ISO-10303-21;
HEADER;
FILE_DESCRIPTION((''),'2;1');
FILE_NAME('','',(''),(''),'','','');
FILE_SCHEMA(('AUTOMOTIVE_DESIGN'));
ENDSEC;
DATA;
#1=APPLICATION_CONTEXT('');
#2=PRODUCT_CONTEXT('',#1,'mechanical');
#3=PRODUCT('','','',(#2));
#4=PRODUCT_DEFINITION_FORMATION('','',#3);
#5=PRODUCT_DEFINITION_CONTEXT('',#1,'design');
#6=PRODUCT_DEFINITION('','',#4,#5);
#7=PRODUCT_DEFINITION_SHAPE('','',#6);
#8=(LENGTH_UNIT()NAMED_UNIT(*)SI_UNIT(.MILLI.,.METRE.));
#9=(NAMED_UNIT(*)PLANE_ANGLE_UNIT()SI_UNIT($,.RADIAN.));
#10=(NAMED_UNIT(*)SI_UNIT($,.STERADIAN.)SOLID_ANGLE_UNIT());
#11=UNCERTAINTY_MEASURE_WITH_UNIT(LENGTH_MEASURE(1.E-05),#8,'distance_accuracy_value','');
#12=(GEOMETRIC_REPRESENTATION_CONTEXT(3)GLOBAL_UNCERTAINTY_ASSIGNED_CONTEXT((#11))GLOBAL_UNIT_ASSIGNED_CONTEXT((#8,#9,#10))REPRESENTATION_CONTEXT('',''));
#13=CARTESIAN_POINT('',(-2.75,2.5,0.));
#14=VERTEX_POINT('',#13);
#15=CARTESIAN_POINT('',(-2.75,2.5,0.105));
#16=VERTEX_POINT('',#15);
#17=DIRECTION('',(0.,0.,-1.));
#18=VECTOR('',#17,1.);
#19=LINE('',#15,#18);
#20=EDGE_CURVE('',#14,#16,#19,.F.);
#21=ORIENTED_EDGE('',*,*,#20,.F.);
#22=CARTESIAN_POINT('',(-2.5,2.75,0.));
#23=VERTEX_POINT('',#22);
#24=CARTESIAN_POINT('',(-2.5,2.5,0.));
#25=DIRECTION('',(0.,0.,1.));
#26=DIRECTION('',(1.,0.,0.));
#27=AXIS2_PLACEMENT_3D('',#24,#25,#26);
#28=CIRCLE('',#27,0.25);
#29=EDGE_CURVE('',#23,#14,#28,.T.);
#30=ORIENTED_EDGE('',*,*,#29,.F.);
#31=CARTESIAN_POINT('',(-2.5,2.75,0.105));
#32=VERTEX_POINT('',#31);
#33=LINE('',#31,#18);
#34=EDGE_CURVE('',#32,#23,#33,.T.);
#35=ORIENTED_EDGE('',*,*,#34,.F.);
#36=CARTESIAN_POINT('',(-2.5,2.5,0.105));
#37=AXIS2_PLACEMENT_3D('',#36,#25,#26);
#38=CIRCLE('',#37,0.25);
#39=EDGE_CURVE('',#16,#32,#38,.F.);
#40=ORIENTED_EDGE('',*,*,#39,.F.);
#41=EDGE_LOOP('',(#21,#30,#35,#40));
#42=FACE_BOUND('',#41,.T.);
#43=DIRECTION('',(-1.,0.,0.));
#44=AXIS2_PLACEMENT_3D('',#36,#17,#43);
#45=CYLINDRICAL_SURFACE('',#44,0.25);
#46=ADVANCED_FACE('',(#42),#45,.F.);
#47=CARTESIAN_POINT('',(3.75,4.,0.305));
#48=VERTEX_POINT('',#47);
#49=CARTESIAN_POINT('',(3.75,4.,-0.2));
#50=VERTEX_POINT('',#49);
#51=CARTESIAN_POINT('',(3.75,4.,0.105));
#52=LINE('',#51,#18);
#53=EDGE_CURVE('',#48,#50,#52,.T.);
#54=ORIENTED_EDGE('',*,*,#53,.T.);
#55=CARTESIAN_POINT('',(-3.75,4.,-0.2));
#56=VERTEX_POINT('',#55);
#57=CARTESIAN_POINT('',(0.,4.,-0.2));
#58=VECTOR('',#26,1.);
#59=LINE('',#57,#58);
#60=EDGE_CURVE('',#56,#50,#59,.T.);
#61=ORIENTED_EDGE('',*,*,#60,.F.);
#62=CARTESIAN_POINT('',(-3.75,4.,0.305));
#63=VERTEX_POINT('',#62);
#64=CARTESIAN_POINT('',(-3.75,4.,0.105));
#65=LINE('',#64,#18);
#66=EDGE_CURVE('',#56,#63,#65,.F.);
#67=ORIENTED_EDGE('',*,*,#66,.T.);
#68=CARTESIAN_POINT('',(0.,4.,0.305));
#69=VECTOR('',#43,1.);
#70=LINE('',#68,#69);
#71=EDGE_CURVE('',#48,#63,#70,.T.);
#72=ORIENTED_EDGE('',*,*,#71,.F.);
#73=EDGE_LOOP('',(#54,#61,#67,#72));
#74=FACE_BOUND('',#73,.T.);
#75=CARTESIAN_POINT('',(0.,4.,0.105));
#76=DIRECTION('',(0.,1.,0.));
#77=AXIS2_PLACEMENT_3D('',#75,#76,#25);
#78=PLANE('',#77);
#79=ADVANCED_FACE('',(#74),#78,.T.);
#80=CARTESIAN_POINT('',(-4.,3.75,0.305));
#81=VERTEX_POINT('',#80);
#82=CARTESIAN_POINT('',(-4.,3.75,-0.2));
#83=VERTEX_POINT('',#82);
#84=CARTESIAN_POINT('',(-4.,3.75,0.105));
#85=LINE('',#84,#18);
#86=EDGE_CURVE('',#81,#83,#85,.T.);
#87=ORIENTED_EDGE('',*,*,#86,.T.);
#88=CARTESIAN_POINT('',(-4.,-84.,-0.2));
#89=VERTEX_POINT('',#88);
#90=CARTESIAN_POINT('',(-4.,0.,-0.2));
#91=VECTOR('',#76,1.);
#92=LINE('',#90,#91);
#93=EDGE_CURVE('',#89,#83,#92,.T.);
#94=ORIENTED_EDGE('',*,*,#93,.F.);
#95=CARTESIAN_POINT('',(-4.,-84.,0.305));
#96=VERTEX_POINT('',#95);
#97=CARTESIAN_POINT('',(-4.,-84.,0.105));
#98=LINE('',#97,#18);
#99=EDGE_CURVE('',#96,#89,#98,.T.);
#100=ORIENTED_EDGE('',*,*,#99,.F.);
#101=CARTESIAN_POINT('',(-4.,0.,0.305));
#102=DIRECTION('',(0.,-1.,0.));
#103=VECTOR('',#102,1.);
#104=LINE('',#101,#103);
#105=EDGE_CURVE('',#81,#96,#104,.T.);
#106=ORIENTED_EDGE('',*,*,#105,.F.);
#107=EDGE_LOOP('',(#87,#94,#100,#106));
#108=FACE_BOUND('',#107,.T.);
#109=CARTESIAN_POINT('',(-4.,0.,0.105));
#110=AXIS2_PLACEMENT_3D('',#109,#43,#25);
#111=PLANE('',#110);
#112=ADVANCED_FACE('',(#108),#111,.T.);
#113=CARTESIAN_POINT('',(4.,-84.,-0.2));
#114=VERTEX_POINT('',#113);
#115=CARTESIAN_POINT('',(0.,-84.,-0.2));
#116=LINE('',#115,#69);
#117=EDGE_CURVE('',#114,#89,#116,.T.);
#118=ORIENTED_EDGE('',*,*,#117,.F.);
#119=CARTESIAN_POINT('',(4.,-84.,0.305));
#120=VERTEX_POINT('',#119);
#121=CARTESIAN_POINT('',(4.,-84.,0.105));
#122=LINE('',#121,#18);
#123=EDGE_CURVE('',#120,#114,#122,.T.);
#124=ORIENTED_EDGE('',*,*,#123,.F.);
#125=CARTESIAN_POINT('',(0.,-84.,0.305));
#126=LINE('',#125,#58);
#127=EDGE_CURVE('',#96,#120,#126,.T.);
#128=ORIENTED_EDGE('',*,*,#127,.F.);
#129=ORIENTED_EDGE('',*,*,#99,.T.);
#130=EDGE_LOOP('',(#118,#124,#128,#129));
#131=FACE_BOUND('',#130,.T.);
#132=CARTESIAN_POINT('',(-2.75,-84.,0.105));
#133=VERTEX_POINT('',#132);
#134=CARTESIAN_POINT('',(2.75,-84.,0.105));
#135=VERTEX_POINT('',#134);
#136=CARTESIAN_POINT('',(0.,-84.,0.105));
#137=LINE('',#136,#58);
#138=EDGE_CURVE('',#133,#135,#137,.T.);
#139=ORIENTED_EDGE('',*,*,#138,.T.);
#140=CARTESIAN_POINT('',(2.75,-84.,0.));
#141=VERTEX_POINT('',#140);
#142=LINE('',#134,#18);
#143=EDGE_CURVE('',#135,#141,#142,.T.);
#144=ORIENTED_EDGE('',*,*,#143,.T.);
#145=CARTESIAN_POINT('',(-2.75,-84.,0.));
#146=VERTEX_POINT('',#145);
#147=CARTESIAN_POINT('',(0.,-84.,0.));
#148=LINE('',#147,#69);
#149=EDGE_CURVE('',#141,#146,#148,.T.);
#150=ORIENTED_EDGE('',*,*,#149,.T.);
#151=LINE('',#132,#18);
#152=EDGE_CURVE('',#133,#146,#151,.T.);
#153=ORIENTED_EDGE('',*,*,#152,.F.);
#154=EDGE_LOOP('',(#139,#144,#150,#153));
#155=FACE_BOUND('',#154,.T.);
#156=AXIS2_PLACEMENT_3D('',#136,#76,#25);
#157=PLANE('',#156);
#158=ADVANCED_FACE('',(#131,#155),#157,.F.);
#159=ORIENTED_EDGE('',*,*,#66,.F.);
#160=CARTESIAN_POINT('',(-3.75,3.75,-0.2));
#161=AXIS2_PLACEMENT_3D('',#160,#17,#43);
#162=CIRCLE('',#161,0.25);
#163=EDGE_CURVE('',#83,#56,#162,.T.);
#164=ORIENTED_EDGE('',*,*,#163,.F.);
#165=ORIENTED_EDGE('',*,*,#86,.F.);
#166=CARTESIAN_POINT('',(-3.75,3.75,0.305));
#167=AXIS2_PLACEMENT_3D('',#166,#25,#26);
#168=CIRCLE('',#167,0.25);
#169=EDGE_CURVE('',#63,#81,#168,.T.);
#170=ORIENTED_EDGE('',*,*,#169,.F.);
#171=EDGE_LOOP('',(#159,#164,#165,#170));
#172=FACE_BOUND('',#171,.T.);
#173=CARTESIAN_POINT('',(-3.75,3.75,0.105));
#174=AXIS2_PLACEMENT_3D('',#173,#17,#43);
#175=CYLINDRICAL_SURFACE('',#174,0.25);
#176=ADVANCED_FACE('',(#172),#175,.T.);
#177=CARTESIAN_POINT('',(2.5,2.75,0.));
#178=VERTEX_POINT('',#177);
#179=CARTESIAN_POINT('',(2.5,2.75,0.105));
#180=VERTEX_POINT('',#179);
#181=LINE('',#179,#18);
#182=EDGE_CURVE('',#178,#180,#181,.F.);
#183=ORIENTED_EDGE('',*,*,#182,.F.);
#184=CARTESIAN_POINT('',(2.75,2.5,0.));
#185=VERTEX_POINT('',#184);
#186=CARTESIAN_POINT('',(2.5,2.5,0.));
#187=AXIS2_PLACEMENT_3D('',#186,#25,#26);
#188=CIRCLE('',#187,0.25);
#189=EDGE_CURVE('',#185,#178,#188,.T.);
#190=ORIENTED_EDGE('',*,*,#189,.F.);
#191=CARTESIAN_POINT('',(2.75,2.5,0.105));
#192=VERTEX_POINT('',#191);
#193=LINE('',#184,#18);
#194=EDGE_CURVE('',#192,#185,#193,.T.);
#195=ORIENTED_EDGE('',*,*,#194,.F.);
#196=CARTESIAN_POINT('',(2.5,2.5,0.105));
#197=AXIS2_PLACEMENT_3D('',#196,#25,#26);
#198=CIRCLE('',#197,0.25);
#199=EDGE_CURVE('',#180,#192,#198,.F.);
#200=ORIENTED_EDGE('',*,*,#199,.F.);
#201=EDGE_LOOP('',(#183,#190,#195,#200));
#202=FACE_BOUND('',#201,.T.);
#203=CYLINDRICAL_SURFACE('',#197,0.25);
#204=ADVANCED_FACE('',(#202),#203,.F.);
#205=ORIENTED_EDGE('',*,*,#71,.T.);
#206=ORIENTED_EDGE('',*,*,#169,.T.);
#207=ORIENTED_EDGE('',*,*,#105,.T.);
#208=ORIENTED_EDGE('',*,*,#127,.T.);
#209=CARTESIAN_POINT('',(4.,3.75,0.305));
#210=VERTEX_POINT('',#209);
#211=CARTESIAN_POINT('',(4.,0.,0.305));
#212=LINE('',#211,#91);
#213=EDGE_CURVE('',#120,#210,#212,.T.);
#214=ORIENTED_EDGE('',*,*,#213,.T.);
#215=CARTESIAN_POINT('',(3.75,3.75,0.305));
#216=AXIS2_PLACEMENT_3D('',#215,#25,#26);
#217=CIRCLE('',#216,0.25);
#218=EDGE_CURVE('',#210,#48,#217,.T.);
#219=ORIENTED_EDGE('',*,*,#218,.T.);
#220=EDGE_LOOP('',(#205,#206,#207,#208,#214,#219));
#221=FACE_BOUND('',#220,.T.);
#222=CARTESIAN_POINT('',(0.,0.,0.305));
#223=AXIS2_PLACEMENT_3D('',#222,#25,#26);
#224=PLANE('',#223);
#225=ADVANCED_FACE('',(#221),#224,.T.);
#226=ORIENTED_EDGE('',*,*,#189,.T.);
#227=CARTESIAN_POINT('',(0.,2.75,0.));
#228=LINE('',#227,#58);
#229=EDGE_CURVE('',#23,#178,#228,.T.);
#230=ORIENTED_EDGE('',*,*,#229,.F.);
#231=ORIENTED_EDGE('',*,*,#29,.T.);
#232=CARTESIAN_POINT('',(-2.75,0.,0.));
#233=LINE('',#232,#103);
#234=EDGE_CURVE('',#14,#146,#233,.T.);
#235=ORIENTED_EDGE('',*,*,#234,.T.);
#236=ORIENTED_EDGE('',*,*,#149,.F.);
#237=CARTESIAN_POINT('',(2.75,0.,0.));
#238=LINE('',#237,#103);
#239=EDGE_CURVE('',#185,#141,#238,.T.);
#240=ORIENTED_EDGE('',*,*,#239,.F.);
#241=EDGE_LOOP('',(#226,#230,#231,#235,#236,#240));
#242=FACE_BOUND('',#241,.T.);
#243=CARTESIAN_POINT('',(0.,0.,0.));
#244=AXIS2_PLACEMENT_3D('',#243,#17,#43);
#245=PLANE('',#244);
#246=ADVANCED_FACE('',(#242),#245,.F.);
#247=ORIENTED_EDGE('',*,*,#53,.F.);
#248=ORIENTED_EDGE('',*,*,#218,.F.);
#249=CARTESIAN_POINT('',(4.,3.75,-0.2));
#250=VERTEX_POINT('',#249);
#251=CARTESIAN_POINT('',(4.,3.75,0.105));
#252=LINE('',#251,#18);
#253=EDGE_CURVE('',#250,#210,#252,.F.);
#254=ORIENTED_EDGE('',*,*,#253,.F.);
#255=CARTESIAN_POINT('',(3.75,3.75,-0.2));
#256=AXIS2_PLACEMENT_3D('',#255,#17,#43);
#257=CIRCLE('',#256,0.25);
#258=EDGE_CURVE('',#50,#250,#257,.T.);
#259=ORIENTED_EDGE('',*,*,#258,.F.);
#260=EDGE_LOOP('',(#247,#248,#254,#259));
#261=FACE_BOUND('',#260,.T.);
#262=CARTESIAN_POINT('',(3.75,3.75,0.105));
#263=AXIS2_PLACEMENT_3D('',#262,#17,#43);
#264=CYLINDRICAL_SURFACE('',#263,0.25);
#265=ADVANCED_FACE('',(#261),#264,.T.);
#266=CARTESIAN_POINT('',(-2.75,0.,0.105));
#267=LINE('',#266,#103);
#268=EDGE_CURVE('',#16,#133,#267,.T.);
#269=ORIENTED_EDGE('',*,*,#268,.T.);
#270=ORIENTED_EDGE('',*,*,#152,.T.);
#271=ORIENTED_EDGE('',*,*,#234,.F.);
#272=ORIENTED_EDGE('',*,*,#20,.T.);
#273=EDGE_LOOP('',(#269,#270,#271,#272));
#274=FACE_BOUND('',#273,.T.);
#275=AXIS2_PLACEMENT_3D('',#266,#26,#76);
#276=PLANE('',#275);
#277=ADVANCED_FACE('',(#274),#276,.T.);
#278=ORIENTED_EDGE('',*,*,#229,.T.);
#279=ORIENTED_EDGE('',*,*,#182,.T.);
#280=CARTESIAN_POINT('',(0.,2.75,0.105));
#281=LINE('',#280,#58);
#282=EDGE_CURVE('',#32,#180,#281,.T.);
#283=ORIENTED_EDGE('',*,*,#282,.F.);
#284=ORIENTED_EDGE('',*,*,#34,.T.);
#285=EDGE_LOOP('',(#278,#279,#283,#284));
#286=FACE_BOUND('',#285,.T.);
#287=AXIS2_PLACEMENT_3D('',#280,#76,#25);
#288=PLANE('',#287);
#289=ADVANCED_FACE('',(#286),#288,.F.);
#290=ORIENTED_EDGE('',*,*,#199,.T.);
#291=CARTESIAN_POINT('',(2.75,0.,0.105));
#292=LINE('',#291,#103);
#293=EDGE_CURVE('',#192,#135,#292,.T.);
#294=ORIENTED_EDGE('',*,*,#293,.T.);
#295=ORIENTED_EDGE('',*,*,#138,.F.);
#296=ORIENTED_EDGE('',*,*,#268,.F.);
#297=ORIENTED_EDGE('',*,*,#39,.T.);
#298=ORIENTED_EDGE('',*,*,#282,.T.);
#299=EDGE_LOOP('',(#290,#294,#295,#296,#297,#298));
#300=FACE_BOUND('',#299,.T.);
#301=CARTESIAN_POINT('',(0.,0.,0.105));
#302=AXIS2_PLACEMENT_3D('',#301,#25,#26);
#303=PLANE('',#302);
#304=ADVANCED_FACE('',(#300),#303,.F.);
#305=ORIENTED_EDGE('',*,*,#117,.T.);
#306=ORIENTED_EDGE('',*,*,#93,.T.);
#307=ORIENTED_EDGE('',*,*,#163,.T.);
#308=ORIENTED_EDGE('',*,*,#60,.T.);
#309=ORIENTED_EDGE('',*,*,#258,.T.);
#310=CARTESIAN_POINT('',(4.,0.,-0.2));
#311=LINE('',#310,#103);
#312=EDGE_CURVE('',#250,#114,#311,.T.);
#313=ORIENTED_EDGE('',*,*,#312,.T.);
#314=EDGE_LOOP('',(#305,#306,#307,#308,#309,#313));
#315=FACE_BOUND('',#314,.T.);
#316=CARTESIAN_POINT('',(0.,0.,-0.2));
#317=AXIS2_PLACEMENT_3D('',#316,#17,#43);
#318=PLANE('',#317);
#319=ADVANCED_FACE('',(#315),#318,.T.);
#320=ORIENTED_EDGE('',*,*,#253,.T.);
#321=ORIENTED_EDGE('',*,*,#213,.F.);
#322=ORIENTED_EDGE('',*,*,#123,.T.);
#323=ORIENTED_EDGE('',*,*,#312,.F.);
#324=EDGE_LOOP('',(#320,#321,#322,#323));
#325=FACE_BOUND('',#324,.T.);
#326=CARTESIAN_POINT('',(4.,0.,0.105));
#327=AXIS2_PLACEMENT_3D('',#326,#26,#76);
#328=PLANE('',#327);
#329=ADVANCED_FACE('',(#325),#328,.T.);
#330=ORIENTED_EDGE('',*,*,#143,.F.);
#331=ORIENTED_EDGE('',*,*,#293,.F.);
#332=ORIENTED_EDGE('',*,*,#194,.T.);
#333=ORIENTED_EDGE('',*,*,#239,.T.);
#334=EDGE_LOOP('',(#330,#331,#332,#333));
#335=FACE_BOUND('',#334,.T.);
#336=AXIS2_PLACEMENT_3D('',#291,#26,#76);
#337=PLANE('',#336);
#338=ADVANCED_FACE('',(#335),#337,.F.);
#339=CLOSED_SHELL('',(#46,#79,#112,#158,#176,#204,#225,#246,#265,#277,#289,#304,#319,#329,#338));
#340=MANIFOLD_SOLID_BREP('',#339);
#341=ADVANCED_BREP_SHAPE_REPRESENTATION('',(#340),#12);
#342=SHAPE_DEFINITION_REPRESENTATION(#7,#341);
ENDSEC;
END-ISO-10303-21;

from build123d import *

# Parameters (mm, degrees)
SKETCH1_W           = 1.25
SKETCH1_H           = 80
BOSS_EXTRUDE1_DEPTH = 0.105
FILLET1_R           = 0.25
BOSS_EXTRUDE2_DEPTH = 0.2
BOSS_EXTRUDE3_DEPTH = 0.2


with BuildPart() as part:
    # Sketch1 → Boss-Extrude1 (new body)
    with BuildSketch(Plane.XY):
        with Locations((3.375, -44)):
            Rectangle(SKETCH1_W, SKETCH1_H)
        Polygon((-2.75, -4), (-2.75, -2.75), (-2.75, 2.75), (2.75, 2.75), (2.75, -2.75), (2.75, -4), (4, -4), (4, 4), (-4, 4), (-4, -4), align=None)
        with Locations((-3.375, -44)):
            Rectangle(SKETCH1_W, SKETCH1_H)
    extrude(amount=BOSS_EXTRUDE1_DEPTH)

    # Fillet1
    fillet1_edges = [part.edges().sort_by_distance(p)[0] for p in [
        (2.75, 2.75, 0.0525),
        (-2.75, 2.75, 0.0525),
        (-4, 4, 0.0525),
        (4, 4, 0.0525),
    ]]
    fillet(fillet1_edges, radius=FILLET1_R)

    # Sketch2 → Boss-Extrude2 (add)
    with BuildSketch(Plane(origin=(0, 0, 0), x_dir=(-1, 0, 0), z_dir=(0, 0, -1))):
        with BuildLine():
            Line((2.75, -84), (4, -84))
            Line((4, -84), (4, 3.75))
            ThreePointArc((4, 3.75), (3.926776695, 3.926776695), (3.75, 4))
            Line((3.75, 4), (-3.75, 4))
            ThreePointArc((-3.75, 4), (-3.926776695, 3.926776695), (-4, 3.75))
            Line((-4, 3.75), (-4, -84))
            Line((-4, -84), (-2.75, -84))
            Line((-2.75, -84), (-2.75, 2.5))
            ThreePointArc((-2.75, 2.5), (-2.676776695, 2.676776695), (-2.5, 2.75))
            Line((-2.5, 2.75), (2.5, 2.75))
            ThreePointArc((2.5, 2.75), (2.676776695, 2.676776695), (2.75, 2.5))
            Line((2.75, 2.5), (2.75, -84))
        make_face()
        with BuildLine():
            Line((-2.75, -84), (2.75, -84))
            Line((2.75, -84), (2.75, 2.5))
            ThreePointArc((2.75, 2.5), (2.676776695, 2.676776695), (2.5, 2.75))
            Line((2.5, 2.75), (-2.5, 2.75))
            ThreePointArc((-2.5, 2.75), (-2.676776695, 2.676776695), (-2.75, 2.5))
            Line((-2.75, 2.5), (-2.75, -84))
        make_face()
    extrude(amount=BOSS_EXTRUDE2_DEPTH)

    # Sketch4 → Boss-Extrude3 (add)
    with BuildSketch(Plane.XY.offset(0.105)):
        with BuildLine():
            ThreePointArc((4, 3.75), (3.926776695, 3.926776695), (3.75, 4))
            Line((3.75, 4), (-3.75, 4))
            ThreePointArc((-3.75, 4), (-3.926776695, 3.926776695), (-4, 3.75))
            Line((-4, 3.75), (-4, -84))
            Line((-4, -84), (-2.75, -84))
            Line((-2.75, -84), (-2.75, 2.5))
            ThreePointArc((-2.75, 2.5), (-2.676776695, 2.676776695), (-2.5, 2.75))
            Line((-2.5, 2.75), (2.5, 2.75))
            ThreePointArc((2.5, 2.75), (2.676776695, 2.676776695), (2.75, 2.5))
            Line((2.75, 2.5), (2.75, -84))
            Line((2.75, -84), (4, -84))
            Line((4, -84), (4, 3.75))
        make_face()
        with BuildLine():
            Line((-2.75, -84), (2.75, -84))
            Line((2.75, -84), (2.75, 2.5))
            ThreePointArc((2.75, 2.5), (2.676776695, 2.676776695), (2.5, 2.75))
            Line((2.5, 2.75), (-2.5, 2.75))
            ThreePointArc((-2.5, 2.75), (-2.676776695, 2.676776695), (-2.75, 2.5))
            Line((-2.75, 2.5), (-2.75, -84))
        make_face()
    extrude(amount=BOSS_EXTRUDE3_DEPTH)


solid = part.part
